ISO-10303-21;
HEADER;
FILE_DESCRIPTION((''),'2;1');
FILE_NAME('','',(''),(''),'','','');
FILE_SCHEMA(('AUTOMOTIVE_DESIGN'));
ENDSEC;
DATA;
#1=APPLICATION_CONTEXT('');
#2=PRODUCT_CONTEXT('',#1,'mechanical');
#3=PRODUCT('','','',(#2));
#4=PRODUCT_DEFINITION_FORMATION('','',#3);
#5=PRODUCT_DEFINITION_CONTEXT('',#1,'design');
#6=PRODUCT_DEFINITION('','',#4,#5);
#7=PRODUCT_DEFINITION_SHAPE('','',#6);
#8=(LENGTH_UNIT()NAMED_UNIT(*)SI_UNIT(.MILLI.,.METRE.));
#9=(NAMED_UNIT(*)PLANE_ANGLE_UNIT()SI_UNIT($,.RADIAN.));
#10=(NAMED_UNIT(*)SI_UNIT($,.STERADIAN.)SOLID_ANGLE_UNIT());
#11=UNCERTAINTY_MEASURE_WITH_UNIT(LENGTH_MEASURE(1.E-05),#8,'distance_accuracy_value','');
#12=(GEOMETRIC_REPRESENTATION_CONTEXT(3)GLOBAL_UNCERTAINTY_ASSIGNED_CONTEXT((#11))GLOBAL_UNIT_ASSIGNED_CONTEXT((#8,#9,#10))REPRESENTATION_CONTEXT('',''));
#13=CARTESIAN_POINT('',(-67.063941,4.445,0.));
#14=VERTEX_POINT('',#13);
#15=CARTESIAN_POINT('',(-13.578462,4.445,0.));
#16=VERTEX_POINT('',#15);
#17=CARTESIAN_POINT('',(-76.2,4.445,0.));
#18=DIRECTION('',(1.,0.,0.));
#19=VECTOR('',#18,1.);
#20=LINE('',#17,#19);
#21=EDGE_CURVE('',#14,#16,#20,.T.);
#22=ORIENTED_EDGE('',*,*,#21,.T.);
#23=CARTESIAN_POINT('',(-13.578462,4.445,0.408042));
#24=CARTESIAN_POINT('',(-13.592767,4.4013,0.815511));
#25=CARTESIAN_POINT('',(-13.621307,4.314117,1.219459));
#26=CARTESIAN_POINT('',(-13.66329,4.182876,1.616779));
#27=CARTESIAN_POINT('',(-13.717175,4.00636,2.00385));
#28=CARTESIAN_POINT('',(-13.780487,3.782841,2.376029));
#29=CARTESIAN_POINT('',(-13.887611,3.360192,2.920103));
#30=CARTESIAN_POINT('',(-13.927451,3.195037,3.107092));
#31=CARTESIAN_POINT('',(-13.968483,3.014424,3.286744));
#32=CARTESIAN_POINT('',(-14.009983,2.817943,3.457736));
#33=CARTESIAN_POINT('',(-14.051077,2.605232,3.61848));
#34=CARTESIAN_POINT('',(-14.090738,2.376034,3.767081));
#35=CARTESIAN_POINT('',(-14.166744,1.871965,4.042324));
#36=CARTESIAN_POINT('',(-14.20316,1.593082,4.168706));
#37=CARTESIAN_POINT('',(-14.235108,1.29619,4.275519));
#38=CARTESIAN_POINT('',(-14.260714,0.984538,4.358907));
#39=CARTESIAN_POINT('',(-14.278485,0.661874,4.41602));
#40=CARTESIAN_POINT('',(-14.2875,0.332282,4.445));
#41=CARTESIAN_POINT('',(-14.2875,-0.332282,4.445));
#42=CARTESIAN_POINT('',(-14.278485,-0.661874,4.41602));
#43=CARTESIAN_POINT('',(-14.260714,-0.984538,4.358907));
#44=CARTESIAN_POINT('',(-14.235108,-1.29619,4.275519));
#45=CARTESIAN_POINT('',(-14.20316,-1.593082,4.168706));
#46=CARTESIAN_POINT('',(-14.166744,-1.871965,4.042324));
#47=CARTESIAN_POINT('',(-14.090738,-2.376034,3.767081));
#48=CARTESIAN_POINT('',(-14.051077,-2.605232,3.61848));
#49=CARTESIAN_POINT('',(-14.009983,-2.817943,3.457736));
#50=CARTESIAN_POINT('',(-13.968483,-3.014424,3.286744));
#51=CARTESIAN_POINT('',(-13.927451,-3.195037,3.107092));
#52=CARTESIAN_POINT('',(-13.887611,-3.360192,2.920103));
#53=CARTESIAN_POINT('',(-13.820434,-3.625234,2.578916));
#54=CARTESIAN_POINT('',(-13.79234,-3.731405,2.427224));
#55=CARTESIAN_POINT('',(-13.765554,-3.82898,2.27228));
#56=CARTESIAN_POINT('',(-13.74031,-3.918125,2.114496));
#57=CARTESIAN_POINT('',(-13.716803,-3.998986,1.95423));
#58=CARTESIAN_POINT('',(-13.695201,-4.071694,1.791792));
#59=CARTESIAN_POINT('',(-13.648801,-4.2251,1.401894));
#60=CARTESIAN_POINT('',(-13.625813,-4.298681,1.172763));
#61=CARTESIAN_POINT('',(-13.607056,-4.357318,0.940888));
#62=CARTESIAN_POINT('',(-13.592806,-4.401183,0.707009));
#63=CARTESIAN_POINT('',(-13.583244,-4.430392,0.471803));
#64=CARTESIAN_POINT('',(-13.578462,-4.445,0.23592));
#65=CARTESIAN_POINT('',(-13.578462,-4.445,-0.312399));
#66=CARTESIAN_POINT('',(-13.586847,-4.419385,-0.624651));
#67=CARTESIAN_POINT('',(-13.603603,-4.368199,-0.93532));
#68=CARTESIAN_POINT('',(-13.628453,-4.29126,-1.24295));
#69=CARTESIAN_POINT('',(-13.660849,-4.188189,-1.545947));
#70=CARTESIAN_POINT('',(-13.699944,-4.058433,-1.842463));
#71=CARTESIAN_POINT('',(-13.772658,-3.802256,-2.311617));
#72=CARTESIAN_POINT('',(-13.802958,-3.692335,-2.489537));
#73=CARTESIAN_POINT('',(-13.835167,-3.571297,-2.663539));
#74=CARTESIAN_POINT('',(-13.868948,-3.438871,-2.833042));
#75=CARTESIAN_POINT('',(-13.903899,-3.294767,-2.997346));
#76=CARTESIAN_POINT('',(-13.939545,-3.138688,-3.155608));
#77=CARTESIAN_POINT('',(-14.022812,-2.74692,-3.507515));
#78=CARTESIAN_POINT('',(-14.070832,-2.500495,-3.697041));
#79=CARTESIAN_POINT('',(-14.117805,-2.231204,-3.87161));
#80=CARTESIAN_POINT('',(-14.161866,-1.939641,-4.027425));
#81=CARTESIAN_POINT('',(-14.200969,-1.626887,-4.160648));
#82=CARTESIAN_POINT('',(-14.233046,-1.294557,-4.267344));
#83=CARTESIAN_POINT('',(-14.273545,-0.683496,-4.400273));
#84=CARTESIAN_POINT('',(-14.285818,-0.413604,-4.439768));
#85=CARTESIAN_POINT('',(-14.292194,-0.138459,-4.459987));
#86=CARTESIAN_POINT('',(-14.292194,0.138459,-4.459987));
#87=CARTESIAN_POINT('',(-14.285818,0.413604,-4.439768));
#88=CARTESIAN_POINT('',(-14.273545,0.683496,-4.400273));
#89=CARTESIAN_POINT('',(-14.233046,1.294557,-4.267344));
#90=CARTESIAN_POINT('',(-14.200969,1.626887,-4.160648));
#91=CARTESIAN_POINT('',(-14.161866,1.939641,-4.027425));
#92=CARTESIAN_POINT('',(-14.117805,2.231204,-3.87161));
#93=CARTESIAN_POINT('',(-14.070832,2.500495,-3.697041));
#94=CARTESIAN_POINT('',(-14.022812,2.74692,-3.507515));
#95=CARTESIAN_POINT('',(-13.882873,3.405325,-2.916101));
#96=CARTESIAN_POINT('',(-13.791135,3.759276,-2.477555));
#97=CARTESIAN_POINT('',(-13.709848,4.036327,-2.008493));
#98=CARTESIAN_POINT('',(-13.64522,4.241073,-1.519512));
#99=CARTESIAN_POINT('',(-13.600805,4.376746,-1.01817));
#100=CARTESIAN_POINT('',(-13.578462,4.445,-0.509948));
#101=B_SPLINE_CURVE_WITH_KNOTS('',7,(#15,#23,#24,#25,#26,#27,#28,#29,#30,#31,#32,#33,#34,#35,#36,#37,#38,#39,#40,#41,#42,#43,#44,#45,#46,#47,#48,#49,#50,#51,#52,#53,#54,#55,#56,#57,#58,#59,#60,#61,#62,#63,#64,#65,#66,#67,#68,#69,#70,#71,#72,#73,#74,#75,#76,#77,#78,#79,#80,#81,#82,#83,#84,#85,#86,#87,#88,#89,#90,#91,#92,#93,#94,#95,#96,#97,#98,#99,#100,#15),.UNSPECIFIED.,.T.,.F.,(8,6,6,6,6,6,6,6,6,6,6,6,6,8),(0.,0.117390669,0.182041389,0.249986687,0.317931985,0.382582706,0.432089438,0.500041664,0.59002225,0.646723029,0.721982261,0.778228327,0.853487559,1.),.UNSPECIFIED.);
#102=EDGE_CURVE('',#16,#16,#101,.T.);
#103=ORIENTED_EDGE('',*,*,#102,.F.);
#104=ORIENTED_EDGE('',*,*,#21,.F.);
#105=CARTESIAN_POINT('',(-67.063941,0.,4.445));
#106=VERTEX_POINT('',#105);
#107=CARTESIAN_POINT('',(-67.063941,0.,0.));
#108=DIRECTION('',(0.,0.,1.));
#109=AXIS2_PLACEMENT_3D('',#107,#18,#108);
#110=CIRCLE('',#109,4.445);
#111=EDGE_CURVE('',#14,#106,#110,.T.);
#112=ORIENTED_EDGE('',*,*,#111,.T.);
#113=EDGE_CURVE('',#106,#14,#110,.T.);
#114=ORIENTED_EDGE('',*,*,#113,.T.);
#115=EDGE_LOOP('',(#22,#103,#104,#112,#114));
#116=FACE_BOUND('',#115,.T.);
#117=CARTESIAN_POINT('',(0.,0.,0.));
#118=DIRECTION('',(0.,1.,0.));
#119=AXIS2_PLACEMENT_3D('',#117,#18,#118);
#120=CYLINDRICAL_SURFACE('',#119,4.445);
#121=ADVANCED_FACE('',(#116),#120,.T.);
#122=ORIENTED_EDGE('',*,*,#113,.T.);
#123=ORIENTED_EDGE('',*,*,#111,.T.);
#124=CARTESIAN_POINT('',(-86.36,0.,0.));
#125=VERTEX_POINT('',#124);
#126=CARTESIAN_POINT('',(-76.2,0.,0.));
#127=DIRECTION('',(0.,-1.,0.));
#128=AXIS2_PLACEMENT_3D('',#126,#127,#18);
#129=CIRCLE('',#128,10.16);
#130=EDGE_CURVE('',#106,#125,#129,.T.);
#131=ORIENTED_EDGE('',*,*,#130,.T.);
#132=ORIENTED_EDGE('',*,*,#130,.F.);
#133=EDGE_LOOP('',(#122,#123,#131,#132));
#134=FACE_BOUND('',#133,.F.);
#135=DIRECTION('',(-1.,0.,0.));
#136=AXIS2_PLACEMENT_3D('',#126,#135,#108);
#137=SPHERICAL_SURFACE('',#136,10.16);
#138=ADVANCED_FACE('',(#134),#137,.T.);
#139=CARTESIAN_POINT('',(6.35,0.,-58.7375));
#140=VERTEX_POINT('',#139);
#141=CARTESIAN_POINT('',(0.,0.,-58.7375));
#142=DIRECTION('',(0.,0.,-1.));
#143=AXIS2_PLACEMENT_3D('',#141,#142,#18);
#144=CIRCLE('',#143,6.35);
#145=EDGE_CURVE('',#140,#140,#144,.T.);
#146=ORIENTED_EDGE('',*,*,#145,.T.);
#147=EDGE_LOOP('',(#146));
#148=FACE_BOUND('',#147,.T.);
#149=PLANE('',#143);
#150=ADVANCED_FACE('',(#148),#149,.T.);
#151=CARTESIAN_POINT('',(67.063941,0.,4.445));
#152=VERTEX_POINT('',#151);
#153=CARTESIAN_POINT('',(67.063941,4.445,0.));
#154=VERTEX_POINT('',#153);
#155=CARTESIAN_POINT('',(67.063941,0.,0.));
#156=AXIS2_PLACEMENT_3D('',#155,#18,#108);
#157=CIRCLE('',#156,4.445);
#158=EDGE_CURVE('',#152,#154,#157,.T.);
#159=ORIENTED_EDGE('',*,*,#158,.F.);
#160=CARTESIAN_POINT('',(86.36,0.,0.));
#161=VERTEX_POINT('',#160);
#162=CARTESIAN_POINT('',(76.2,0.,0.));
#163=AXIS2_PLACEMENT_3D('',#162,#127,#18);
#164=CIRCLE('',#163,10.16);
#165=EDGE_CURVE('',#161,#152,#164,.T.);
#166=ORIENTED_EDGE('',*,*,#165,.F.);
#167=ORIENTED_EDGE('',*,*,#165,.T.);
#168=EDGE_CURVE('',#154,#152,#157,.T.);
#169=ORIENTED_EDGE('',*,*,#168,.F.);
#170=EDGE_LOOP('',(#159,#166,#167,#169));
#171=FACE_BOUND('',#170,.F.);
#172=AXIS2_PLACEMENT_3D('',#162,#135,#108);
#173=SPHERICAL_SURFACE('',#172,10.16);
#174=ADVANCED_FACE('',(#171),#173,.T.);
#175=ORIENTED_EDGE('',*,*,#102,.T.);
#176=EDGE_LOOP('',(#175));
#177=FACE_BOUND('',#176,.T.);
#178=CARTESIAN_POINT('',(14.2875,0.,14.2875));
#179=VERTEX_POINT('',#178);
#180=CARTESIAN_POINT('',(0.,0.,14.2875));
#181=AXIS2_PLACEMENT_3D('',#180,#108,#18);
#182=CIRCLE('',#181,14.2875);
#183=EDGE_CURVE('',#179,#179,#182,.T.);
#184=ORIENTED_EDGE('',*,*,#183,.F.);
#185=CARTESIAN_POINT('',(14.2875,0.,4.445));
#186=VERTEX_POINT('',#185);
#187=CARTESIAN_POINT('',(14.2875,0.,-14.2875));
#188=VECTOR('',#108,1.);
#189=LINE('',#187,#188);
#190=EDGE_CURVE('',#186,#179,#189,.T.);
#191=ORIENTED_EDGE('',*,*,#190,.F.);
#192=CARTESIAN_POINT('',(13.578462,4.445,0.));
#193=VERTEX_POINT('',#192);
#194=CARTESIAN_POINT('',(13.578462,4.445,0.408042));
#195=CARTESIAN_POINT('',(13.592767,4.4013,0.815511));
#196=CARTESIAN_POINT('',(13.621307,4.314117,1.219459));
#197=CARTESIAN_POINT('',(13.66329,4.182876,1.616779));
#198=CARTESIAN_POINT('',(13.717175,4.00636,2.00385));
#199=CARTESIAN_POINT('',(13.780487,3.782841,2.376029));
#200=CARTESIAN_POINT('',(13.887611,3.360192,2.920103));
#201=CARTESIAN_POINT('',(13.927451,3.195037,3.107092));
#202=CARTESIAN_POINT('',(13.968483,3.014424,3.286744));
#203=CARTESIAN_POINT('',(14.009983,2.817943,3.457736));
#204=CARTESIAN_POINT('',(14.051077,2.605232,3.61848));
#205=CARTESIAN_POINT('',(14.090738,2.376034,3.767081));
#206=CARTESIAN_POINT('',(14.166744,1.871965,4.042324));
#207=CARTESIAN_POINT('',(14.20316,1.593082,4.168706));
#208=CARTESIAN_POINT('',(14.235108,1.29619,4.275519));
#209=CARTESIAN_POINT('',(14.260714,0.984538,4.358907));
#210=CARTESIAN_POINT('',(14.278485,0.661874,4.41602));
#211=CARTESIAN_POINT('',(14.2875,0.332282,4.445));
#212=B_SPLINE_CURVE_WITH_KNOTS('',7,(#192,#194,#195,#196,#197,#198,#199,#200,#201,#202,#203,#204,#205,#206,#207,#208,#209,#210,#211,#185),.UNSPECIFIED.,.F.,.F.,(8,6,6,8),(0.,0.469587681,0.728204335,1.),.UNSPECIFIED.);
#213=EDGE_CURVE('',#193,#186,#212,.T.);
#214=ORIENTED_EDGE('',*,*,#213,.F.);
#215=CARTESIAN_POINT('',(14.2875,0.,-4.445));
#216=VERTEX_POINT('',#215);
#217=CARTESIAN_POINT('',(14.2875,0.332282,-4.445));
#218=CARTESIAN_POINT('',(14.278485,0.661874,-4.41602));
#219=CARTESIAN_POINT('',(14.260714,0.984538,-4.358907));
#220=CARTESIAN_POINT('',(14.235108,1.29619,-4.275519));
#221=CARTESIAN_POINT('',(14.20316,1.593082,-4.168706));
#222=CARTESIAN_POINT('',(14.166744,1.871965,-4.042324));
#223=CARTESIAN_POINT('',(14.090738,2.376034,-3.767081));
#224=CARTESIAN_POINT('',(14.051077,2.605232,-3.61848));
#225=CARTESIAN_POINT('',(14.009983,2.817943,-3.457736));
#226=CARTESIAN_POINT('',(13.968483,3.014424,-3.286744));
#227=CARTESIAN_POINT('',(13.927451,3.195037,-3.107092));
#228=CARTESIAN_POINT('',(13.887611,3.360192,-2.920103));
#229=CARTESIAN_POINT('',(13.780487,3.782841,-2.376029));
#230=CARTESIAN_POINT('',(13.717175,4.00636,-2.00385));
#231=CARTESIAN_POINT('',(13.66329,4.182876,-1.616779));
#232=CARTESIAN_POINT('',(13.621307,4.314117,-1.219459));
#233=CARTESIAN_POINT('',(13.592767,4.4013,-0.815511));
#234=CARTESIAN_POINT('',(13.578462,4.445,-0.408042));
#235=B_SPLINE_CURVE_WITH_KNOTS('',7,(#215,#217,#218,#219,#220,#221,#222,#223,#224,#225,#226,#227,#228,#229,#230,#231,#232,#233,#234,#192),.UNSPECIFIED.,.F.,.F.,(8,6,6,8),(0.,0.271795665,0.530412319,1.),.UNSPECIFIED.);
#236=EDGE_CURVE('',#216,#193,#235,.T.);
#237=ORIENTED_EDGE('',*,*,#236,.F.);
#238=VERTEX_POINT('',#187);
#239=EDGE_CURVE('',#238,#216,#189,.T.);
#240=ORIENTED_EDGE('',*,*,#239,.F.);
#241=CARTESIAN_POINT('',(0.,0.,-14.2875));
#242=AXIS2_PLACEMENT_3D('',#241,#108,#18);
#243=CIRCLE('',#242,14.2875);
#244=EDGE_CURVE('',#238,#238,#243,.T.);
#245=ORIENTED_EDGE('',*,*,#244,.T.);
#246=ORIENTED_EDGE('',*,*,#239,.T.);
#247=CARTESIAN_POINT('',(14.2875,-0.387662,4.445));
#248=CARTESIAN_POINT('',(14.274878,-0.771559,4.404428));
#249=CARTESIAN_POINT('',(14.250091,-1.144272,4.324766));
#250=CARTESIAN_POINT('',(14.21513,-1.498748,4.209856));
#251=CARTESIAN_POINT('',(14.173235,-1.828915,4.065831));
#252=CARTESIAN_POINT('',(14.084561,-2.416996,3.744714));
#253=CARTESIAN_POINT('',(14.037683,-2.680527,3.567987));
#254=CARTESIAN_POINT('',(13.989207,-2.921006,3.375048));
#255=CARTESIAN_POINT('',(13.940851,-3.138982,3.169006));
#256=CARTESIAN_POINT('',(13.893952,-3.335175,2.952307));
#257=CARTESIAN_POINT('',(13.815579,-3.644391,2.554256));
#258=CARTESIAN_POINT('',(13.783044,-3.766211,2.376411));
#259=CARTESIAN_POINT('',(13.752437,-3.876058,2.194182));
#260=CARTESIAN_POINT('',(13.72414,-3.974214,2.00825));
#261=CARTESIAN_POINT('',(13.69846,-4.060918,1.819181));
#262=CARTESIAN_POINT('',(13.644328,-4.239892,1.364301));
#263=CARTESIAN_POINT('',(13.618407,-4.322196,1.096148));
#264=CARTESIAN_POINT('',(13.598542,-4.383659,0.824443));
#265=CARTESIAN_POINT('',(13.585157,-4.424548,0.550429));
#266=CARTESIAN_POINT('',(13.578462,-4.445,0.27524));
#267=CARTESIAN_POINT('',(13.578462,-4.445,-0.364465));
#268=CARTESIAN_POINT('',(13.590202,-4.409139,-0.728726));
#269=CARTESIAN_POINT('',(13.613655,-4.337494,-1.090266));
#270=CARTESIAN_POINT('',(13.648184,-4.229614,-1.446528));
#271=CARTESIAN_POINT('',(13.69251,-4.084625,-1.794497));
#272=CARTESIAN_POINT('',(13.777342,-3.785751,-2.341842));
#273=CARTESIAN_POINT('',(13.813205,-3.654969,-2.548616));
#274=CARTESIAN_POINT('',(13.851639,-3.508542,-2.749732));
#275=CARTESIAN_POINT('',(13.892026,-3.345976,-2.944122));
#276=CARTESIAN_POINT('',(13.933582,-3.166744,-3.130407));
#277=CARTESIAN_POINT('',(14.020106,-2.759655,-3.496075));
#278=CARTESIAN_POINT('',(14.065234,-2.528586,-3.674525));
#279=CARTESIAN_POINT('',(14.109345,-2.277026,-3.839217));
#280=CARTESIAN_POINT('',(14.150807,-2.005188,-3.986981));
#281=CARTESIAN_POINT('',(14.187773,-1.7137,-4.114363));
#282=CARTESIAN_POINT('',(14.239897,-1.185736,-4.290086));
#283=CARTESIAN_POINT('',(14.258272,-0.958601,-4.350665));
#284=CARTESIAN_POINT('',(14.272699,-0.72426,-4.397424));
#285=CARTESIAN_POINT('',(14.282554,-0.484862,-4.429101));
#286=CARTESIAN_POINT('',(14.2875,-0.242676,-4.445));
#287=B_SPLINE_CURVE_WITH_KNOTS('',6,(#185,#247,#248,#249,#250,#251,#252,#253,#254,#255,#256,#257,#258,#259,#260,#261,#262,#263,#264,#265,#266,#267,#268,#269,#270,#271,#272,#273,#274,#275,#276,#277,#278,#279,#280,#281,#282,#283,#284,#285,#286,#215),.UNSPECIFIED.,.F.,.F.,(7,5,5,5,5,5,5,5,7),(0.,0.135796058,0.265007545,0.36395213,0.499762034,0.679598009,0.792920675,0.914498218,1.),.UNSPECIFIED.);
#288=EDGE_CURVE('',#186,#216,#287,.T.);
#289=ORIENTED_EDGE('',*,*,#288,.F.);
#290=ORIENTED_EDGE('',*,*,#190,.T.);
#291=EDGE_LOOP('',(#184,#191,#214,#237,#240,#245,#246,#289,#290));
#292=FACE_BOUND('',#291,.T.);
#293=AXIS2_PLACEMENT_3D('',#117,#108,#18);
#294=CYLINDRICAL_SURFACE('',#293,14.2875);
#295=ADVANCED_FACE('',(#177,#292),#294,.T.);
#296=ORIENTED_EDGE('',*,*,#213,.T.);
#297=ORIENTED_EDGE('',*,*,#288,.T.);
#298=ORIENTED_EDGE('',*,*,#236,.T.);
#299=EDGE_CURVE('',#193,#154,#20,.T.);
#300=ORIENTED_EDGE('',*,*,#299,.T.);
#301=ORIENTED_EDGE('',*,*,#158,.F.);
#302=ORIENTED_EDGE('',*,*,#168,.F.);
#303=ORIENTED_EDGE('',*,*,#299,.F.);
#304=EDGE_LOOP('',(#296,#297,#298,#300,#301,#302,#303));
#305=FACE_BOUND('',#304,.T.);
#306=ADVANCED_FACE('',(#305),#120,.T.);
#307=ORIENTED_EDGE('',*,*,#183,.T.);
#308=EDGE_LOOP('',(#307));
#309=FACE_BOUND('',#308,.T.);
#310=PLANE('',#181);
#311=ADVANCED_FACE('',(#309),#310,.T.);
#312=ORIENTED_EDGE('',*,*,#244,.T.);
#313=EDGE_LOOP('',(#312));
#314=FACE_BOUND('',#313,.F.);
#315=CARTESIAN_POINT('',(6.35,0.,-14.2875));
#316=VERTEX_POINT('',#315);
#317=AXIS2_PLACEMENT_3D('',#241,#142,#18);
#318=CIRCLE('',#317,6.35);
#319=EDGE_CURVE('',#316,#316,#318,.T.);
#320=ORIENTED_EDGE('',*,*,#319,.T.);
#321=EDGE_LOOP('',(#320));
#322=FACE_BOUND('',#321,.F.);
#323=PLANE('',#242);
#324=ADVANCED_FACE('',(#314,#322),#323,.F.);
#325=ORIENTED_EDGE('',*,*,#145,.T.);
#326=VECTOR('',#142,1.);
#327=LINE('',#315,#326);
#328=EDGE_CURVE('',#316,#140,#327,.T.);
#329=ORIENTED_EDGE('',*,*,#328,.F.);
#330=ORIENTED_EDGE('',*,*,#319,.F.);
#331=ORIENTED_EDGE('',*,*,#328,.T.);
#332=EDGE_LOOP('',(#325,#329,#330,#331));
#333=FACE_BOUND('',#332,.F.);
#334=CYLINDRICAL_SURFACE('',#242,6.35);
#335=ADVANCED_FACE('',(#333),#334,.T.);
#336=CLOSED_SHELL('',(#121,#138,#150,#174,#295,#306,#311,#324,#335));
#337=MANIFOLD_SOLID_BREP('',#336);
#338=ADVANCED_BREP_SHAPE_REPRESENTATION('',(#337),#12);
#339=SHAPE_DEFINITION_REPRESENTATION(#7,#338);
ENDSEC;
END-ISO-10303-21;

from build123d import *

# Parameters (mm, degrees)
F0_R     = 14.2875
F1_DEPTH = 14.2875
F2_R     = 6.35
F3_DEPTH = 44.45
F4_R     = 4.445
F5_DEPTH = 76.2


with BuildPart() as f1:
    # F0 (on Top) → F1 (new body, symmetric)
    with BuildSketch(Plane.XY):
        Circle(F0_R)
    extrude(amount=F1_DEPTH, both=True)

    # F2 (on face) → F3 (join)
    with BuildSketch(Plane(origin=(0, 0, -14.2875), x_dir=(1, 0, 0), z_dir=(0, 0, -1))):
        Circle(F2_R)
    extrude(amount=F3_DEPTH)

    # F4 (on Right) → F5 (join, symmetric)
    with BuildSketch(Plane.YZ):
        Circle(F4_R)
    extrude(amount=F5_DEPTH, both=True)

    # F6 (on Front) → F7 (revolve)
    with BuildSketch(Plane.XZ):
        with BuildLine():
            Line((-86.36, 0), (-66.04, 0))
            ThreePointArc((-66.04, 0), (-76.2, 10.16), (-86.36, 0))
        make_face()
    revolve(axis=Axis((-76.2, 0, 0), (1, 0, 0)))

    # F8 (on Front) → F9 (revolve)
    with BuildSketch(Plane.XZ):
        with BuildLine():
            Line((66.04, 0), (86.36, 0))
            ThreePointArc((86.36, 0), (76.2, 10.16), (66.04, 0))
        make_face()
    revolve(axis=Axis((76.2, 0, 0), (1, 0, 0)))


solid = f1.part
